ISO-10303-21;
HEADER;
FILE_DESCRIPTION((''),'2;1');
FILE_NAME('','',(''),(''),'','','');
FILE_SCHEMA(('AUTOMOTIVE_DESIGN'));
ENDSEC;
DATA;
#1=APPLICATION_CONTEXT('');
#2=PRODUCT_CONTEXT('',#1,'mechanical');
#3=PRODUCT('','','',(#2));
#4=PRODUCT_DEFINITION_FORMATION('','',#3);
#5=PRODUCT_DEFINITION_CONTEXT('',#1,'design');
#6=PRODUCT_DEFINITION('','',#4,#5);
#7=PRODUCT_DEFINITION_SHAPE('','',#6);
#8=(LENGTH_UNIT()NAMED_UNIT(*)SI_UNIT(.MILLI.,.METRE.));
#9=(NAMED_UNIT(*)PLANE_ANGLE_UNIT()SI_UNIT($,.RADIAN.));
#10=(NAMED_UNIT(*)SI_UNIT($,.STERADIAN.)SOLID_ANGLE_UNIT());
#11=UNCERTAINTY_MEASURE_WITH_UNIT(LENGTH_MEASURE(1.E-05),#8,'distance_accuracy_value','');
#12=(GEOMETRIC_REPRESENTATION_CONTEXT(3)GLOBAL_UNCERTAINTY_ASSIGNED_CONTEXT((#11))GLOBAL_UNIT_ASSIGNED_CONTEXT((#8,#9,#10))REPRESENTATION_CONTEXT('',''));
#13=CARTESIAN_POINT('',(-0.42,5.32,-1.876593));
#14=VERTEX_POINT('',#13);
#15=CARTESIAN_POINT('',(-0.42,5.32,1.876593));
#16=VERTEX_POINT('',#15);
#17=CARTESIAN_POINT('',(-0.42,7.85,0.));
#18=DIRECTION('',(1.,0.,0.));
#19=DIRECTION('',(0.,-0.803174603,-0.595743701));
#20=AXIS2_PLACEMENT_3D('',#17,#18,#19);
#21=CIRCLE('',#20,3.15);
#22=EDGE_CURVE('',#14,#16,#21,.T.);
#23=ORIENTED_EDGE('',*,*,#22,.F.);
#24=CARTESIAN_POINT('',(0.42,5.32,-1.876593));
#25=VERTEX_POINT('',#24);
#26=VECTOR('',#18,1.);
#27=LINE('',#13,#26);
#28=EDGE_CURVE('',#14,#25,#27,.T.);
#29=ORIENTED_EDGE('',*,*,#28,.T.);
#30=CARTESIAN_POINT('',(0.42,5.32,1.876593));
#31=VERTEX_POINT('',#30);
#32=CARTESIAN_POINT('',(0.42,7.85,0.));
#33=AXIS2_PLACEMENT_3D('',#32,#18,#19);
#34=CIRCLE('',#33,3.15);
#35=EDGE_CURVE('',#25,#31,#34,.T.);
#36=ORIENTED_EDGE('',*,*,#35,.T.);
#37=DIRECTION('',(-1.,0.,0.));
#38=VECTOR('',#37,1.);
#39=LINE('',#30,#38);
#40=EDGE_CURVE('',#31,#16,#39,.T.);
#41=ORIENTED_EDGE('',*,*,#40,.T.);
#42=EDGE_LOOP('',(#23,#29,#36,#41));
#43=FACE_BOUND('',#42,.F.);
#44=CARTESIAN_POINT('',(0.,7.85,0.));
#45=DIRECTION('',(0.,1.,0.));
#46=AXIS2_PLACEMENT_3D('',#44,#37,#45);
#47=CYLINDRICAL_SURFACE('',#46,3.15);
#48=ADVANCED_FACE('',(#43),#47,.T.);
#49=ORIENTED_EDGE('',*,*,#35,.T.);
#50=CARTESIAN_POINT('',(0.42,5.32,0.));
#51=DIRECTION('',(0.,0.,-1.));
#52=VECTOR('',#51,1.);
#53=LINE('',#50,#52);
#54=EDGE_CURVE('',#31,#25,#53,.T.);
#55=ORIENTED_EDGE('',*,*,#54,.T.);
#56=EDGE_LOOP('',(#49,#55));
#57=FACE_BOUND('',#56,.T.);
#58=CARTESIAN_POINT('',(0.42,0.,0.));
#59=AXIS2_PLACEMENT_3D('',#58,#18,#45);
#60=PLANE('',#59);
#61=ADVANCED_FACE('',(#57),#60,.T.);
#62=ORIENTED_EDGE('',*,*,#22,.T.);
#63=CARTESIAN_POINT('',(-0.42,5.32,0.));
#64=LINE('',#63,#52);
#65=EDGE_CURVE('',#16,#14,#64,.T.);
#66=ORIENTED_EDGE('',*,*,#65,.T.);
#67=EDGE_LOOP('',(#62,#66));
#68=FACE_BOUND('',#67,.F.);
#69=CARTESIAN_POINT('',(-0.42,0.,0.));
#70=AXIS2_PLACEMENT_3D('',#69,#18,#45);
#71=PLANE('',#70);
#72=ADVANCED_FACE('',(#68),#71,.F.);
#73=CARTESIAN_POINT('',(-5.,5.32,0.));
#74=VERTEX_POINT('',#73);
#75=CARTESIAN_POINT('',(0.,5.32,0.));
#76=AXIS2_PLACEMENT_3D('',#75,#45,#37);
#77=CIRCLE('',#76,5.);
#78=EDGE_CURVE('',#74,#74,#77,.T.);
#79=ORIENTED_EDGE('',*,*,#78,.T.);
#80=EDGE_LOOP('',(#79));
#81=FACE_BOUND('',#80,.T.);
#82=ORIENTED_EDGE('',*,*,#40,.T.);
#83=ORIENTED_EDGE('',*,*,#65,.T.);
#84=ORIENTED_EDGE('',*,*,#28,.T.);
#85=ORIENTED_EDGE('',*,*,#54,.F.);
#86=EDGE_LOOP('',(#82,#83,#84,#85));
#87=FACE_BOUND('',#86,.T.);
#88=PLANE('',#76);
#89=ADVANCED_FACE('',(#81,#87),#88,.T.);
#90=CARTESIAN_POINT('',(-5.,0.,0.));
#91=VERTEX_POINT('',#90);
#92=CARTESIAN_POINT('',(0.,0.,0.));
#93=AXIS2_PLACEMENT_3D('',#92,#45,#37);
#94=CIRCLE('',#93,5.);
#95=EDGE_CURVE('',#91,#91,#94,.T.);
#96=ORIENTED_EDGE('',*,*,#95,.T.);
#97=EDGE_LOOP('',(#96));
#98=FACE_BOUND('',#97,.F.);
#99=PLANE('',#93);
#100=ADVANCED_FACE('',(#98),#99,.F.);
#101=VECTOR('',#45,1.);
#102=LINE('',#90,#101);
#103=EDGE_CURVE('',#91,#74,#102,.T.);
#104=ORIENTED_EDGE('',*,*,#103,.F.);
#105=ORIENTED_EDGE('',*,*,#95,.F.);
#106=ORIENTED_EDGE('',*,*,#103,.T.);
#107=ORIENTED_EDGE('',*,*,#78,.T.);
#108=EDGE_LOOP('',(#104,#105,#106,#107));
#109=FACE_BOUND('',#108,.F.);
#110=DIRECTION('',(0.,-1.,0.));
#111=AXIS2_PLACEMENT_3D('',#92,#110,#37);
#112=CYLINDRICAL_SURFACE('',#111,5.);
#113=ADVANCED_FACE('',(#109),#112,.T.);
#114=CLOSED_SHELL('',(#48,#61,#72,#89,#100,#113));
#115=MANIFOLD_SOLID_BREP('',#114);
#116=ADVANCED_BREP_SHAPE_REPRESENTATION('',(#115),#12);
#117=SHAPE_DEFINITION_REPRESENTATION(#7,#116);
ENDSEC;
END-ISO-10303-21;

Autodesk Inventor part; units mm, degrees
ref_plane "YZ Plane" through (0, 0, 0) normal (1, 0, 0) x (0, 1, 0)
ref_plane "XZ Plane" through (0, 0, 0) normal (0, 1, 0) x (-1, 0, 0)
ref_plane "XY Plane" through (0, 0, 0) normal (0, 0, 1) x (1, 0, 0)
sketch "草圖1" plane through (0, 0, 0) normal (0, 1, 0) x (-1, 0, 0)
  circle A0 centre (0, 0) radius 5
  dimension "d0" = 10
extrude "擠出1" add sketch "草圖1" along normal blind 5.32
sketch "草圖2" plane through (0, 0, 0) normal (1, 0, 0) x (0, 1, 0)
  circle A0 centre (7.85, 0) radius 3.15
  line L0 (0, 0) -> (11, 0)
  dimension "d3" = 6.3
  dimension "d4" = 11
extrude "擠出2" add sketch "草圖2" along normal mid plane 0.84
properties part number "萬向頭"
